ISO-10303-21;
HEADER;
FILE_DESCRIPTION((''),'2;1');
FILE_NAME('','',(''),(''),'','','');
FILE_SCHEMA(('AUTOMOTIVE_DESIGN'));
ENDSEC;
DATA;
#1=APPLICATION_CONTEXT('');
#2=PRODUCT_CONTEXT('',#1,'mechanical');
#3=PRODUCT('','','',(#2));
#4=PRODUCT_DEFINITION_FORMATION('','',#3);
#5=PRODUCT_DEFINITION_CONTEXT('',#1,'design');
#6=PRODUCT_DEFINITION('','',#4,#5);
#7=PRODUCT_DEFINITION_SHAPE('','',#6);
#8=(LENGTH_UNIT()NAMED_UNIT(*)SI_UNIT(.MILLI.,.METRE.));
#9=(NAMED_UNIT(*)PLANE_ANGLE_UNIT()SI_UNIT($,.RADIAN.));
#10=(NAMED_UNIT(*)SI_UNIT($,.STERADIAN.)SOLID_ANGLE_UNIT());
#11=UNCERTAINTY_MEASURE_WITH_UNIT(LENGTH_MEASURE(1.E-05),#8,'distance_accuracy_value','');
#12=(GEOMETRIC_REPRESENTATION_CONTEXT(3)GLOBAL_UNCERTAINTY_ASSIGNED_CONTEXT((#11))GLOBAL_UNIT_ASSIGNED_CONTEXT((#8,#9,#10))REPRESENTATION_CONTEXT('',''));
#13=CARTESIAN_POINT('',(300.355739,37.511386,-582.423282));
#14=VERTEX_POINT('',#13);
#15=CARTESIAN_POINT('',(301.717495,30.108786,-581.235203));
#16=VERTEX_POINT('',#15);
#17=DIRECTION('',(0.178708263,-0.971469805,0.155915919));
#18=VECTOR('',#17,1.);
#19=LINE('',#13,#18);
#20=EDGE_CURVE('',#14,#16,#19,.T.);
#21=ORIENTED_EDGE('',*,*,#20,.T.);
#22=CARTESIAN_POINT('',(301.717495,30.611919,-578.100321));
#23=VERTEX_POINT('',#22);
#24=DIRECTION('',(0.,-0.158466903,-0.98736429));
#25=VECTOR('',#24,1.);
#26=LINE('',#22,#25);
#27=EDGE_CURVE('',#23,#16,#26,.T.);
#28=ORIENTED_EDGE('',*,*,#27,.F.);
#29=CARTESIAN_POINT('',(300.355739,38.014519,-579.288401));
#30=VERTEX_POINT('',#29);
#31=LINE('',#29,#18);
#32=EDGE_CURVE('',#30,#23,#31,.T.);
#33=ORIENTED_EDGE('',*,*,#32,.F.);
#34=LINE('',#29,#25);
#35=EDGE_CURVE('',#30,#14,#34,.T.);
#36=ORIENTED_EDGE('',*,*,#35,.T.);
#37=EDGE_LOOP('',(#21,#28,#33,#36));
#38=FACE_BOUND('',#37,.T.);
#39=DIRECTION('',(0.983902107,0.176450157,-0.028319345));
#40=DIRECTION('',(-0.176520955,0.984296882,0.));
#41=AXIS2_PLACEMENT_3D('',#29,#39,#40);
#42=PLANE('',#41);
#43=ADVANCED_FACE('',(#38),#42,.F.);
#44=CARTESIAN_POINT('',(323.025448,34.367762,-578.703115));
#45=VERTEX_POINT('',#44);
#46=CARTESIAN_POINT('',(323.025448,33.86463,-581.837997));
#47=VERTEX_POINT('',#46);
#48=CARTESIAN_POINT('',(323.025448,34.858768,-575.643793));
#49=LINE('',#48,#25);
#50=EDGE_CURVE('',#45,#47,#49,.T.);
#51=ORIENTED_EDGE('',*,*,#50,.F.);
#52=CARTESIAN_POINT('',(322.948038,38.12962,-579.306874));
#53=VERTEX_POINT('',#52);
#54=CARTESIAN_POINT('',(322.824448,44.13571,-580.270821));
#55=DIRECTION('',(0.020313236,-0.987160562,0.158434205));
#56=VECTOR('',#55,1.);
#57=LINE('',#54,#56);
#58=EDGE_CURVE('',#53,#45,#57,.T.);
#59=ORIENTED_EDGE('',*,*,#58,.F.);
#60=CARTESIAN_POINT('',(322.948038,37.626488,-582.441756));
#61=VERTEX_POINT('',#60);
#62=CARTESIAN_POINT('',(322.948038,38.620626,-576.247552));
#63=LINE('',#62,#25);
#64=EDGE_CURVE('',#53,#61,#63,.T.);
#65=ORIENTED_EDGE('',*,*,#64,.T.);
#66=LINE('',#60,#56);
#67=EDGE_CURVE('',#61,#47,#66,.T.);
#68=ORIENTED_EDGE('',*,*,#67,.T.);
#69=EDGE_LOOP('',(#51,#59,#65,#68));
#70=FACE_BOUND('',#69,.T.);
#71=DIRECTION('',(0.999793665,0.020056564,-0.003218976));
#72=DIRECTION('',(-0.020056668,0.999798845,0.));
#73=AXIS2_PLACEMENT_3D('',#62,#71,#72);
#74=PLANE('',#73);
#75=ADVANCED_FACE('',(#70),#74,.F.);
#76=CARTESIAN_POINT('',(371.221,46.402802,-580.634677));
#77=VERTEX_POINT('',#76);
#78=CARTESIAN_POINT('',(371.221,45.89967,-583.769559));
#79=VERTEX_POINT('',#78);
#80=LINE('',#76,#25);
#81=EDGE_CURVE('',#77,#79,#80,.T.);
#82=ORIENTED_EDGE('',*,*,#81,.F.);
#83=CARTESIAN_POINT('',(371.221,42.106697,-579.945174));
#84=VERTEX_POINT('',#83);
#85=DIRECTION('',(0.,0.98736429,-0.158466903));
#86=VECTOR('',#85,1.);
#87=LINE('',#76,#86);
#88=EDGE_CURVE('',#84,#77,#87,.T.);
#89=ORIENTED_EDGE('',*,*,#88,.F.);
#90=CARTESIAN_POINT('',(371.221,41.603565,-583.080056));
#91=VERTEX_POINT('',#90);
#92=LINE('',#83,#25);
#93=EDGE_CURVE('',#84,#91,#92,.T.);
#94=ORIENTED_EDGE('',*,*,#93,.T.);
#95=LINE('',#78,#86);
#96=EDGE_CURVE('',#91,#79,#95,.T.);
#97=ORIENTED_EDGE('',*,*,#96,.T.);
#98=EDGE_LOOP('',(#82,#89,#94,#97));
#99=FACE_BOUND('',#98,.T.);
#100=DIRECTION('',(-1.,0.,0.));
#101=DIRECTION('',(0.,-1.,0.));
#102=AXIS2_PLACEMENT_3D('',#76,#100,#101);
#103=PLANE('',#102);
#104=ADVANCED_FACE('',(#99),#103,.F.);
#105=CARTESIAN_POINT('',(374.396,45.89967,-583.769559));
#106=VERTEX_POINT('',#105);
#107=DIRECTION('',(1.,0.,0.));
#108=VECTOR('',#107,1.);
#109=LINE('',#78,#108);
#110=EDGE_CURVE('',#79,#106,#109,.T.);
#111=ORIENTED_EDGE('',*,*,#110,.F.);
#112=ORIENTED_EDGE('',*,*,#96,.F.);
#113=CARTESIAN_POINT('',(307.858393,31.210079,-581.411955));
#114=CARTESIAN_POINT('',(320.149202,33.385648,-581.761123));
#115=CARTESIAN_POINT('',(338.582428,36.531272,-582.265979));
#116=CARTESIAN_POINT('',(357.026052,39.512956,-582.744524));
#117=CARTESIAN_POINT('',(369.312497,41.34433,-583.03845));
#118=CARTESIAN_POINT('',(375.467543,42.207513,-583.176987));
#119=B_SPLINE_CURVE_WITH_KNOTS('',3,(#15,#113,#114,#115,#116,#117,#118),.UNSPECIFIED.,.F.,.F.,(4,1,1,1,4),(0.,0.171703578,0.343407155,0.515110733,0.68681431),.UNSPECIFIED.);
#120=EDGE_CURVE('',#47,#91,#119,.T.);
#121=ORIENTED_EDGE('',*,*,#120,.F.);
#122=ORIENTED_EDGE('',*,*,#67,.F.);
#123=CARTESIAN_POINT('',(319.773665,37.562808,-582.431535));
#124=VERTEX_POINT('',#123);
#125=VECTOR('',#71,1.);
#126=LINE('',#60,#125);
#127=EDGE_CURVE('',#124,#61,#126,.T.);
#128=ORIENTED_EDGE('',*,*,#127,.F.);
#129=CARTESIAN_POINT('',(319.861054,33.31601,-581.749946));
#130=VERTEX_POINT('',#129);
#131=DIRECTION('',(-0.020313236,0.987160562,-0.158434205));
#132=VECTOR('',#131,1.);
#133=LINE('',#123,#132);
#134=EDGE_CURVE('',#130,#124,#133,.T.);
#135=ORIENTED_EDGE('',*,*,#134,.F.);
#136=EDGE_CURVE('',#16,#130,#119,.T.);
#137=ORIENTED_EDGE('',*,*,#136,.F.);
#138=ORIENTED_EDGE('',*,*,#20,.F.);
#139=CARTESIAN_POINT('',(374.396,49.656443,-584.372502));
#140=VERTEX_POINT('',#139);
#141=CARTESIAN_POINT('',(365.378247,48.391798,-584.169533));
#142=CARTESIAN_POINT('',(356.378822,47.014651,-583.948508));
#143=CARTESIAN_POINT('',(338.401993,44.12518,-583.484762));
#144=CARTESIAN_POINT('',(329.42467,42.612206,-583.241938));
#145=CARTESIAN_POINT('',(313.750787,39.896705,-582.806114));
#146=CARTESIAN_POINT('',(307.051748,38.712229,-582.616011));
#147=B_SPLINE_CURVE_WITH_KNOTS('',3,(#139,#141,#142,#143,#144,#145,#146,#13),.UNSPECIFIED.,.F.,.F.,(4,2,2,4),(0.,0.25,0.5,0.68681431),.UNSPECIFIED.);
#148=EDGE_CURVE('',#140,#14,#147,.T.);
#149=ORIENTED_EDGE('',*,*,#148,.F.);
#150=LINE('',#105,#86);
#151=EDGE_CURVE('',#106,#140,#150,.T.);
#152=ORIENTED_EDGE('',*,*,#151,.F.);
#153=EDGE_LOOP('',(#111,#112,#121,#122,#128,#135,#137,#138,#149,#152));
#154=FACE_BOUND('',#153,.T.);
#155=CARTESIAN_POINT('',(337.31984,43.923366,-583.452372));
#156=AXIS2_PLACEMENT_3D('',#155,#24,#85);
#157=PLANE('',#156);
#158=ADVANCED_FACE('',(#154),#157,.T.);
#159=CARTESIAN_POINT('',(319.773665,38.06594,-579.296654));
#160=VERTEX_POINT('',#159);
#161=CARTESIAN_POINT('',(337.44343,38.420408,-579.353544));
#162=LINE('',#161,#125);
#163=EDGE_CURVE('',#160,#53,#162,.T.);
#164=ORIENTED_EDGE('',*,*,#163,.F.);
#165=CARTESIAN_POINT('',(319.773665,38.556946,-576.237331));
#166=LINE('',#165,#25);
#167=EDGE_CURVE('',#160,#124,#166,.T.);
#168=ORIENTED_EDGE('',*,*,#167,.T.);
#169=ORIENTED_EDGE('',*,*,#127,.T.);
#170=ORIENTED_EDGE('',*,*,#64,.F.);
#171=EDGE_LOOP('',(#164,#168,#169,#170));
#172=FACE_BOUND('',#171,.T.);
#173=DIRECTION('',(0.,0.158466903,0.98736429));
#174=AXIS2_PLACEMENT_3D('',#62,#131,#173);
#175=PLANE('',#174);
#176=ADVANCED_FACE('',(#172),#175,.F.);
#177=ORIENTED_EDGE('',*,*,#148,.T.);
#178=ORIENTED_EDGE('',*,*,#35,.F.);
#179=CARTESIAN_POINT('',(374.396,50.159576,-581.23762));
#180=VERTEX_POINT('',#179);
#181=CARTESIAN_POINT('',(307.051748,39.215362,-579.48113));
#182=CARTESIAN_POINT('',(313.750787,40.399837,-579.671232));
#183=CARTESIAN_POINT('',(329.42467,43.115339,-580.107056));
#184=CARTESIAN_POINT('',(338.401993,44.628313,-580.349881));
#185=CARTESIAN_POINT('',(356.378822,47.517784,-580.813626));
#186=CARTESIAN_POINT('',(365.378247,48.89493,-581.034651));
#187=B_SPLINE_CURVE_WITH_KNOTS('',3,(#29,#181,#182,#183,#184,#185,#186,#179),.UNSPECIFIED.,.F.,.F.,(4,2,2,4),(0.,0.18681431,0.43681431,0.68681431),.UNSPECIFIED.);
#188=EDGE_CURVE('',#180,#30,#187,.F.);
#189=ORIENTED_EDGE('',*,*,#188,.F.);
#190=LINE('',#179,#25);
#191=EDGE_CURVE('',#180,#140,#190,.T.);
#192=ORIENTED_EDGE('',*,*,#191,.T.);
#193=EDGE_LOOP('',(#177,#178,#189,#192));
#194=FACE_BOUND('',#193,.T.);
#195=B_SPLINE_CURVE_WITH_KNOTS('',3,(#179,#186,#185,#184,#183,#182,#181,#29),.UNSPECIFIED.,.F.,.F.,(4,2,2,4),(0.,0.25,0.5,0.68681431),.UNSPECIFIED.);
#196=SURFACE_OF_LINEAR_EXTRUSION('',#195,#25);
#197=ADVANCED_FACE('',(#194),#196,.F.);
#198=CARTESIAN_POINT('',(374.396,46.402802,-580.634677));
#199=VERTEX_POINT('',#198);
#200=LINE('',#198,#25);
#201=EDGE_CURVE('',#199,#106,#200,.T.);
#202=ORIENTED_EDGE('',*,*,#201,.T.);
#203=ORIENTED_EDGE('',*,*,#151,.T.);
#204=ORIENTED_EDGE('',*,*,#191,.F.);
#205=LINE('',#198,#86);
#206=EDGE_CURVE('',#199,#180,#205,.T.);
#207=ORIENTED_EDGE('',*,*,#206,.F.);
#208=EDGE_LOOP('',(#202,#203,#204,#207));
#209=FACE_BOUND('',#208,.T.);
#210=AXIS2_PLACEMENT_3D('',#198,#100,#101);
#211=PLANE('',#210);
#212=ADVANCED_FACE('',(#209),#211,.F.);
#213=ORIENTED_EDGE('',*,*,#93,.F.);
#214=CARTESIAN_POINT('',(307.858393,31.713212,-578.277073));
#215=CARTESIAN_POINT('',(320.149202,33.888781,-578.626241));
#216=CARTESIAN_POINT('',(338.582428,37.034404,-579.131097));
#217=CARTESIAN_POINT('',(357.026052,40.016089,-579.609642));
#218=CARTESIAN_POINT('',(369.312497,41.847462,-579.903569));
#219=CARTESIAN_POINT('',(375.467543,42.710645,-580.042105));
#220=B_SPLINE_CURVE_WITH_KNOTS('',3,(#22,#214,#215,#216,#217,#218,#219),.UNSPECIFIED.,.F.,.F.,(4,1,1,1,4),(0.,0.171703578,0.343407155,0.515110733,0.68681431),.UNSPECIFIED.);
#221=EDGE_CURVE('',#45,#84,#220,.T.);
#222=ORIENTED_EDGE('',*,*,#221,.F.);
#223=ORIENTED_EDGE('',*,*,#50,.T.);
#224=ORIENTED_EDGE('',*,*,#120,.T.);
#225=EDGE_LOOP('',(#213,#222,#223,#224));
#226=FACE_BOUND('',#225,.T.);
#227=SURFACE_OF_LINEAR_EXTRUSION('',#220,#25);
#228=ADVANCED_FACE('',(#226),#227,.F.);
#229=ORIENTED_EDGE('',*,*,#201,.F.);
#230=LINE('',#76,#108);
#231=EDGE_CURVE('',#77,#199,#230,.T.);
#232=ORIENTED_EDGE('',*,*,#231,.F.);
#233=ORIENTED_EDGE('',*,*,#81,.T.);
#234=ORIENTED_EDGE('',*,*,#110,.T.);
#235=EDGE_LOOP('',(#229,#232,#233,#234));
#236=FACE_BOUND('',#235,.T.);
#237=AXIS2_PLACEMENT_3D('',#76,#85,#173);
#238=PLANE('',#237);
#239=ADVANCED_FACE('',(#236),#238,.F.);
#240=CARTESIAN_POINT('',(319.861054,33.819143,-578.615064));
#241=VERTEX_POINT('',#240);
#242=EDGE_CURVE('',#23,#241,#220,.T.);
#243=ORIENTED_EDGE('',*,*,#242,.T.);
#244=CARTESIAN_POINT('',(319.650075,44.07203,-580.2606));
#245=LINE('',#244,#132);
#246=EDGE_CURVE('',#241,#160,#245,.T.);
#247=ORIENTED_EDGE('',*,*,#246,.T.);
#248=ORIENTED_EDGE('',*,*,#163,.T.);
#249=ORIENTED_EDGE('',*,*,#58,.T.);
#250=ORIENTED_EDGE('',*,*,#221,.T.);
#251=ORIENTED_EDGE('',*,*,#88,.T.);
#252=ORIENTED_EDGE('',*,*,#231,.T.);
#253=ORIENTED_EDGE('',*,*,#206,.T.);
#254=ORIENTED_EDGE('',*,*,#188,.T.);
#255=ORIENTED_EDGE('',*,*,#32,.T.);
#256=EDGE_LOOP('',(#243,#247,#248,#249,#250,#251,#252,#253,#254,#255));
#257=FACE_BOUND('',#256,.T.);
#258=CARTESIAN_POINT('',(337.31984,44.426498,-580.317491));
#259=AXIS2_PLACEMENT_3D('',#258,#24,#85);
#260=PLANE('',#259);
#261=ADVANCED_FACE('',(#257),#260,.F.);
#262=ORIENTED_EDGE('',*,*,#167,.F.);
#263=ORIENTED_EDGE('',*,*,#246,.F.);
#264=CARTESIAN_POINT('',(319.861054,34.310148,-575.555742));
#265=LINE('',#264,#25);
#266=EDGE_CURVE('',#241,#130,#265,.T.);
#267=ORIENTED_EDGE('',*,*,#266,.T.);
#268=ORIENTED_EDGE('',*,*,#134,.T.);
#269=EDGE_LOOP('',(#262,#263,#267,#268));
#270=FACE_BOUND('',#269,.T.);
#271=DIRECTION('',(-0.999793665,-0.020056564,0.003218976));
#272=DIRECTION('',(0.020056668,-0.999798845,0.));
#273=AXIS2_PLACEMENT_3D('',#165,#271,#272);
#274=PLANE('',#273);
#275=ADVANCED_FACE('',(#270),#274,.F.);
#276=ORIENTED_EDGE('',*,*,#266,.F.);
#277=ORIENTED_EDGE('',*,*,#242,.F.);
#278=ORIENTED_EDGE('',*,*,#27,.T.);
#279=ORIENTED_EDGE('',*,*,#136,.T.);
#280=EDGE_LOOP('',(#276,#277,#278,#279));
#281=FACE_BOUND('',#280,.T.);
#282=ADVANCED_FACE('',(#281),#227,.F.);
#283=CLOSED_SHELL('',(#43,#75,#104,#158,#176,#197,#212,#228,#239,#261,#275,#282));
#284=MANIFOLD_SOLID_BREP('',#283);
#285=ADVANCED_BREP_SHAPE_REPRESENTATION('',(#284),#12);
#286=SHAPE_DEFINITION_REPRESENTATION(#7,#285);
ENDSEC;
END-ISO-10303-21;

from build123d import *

# Parameters (mm, degrees)
BOSS_EXTRUDE1_DEPTH = 3.175
CUT_EXTRUDE1_DEPTH  = 401.46617672


with BuildPart() as part:
    # Sketch3 → Boss-Extrude1 (new body)
    with BuildSketch(Plane(origin=(0, -90.186626134, -561.928406554), x_dir=(1, 0, 0), z_dir=(0, 0.15846690258874493, 0.9873642898059101))):
        with BuildLine():
            Line((374.396, 137.827848871), (374.396, 141.63269915))
            add(Edge.make_bspline(
                [(374.396, 141.63269915), (365.378247241, 140.351869422), (356.378821901, 138.957098969), (338.401992935, 136.030650092), (329.424670358, 134.498314058), (313.750786532, 131.748061478), (307.051747759, 130.548427396), (300.355738535, 129.33221679)],
                knots=[0, 0, 0, 0, 0.25, 0.25, 0.5, 0.5, 0.68681431, 0.68681431, 0.68681431, 0.68681431], degree=3))
            Line((300.355738535, 129.33221679), (301.717495498, 121.834882733))
            add(Edge.make_bspline(
                [(371.221, 133.4767647), (366.485652047, 132.785360934), (355.611621495, 131.127793525), (338.582430164, 128.339546997), (320.149202977, 125.153673819), (307.858393043, 122.950267206), (301.717495498, 121.834882733)],
                knots=[0.039503599, 0.039503599, 0.039503599, 0.039503599, 0.171703578, 0.343407155, 0.515110733, 0.68681431, 0.68681431, 0.68681431, 0.68681431], degree=3))
            Line((371.221, 133.4767647), (371.221, 137.827848871))
            Line((371.221, 137.827848871), (374.396, 137.827848871))
        make_face()
    extrude(amount=BOSS_EXTRUDE1_DEPTH)

    # Sketch4 → Cut-Extrude1 (cut, through all)
    with BuildSketch(Plane(origin=(0, -90.186626134, -561.928406554), x_dir=(-1, 0, 0), z_dir=(-9.1104866082071e-14, -0.158466902588134, -0.9873642898060083))):
        Polygon((-323.025447556, 125.638791395), (-323.025447556, 123.807923692), (-319.861053503, 123.734597093), (-319.861053503, 125.083150774), (-319.773665288, 129.384296303), (-322.948038155, 129.448791395), align=None)
    extrude(amount=-CUT_EXTRUDE1_DEPTH, mode=Mode.SUBTRACT)


solid = part.part
